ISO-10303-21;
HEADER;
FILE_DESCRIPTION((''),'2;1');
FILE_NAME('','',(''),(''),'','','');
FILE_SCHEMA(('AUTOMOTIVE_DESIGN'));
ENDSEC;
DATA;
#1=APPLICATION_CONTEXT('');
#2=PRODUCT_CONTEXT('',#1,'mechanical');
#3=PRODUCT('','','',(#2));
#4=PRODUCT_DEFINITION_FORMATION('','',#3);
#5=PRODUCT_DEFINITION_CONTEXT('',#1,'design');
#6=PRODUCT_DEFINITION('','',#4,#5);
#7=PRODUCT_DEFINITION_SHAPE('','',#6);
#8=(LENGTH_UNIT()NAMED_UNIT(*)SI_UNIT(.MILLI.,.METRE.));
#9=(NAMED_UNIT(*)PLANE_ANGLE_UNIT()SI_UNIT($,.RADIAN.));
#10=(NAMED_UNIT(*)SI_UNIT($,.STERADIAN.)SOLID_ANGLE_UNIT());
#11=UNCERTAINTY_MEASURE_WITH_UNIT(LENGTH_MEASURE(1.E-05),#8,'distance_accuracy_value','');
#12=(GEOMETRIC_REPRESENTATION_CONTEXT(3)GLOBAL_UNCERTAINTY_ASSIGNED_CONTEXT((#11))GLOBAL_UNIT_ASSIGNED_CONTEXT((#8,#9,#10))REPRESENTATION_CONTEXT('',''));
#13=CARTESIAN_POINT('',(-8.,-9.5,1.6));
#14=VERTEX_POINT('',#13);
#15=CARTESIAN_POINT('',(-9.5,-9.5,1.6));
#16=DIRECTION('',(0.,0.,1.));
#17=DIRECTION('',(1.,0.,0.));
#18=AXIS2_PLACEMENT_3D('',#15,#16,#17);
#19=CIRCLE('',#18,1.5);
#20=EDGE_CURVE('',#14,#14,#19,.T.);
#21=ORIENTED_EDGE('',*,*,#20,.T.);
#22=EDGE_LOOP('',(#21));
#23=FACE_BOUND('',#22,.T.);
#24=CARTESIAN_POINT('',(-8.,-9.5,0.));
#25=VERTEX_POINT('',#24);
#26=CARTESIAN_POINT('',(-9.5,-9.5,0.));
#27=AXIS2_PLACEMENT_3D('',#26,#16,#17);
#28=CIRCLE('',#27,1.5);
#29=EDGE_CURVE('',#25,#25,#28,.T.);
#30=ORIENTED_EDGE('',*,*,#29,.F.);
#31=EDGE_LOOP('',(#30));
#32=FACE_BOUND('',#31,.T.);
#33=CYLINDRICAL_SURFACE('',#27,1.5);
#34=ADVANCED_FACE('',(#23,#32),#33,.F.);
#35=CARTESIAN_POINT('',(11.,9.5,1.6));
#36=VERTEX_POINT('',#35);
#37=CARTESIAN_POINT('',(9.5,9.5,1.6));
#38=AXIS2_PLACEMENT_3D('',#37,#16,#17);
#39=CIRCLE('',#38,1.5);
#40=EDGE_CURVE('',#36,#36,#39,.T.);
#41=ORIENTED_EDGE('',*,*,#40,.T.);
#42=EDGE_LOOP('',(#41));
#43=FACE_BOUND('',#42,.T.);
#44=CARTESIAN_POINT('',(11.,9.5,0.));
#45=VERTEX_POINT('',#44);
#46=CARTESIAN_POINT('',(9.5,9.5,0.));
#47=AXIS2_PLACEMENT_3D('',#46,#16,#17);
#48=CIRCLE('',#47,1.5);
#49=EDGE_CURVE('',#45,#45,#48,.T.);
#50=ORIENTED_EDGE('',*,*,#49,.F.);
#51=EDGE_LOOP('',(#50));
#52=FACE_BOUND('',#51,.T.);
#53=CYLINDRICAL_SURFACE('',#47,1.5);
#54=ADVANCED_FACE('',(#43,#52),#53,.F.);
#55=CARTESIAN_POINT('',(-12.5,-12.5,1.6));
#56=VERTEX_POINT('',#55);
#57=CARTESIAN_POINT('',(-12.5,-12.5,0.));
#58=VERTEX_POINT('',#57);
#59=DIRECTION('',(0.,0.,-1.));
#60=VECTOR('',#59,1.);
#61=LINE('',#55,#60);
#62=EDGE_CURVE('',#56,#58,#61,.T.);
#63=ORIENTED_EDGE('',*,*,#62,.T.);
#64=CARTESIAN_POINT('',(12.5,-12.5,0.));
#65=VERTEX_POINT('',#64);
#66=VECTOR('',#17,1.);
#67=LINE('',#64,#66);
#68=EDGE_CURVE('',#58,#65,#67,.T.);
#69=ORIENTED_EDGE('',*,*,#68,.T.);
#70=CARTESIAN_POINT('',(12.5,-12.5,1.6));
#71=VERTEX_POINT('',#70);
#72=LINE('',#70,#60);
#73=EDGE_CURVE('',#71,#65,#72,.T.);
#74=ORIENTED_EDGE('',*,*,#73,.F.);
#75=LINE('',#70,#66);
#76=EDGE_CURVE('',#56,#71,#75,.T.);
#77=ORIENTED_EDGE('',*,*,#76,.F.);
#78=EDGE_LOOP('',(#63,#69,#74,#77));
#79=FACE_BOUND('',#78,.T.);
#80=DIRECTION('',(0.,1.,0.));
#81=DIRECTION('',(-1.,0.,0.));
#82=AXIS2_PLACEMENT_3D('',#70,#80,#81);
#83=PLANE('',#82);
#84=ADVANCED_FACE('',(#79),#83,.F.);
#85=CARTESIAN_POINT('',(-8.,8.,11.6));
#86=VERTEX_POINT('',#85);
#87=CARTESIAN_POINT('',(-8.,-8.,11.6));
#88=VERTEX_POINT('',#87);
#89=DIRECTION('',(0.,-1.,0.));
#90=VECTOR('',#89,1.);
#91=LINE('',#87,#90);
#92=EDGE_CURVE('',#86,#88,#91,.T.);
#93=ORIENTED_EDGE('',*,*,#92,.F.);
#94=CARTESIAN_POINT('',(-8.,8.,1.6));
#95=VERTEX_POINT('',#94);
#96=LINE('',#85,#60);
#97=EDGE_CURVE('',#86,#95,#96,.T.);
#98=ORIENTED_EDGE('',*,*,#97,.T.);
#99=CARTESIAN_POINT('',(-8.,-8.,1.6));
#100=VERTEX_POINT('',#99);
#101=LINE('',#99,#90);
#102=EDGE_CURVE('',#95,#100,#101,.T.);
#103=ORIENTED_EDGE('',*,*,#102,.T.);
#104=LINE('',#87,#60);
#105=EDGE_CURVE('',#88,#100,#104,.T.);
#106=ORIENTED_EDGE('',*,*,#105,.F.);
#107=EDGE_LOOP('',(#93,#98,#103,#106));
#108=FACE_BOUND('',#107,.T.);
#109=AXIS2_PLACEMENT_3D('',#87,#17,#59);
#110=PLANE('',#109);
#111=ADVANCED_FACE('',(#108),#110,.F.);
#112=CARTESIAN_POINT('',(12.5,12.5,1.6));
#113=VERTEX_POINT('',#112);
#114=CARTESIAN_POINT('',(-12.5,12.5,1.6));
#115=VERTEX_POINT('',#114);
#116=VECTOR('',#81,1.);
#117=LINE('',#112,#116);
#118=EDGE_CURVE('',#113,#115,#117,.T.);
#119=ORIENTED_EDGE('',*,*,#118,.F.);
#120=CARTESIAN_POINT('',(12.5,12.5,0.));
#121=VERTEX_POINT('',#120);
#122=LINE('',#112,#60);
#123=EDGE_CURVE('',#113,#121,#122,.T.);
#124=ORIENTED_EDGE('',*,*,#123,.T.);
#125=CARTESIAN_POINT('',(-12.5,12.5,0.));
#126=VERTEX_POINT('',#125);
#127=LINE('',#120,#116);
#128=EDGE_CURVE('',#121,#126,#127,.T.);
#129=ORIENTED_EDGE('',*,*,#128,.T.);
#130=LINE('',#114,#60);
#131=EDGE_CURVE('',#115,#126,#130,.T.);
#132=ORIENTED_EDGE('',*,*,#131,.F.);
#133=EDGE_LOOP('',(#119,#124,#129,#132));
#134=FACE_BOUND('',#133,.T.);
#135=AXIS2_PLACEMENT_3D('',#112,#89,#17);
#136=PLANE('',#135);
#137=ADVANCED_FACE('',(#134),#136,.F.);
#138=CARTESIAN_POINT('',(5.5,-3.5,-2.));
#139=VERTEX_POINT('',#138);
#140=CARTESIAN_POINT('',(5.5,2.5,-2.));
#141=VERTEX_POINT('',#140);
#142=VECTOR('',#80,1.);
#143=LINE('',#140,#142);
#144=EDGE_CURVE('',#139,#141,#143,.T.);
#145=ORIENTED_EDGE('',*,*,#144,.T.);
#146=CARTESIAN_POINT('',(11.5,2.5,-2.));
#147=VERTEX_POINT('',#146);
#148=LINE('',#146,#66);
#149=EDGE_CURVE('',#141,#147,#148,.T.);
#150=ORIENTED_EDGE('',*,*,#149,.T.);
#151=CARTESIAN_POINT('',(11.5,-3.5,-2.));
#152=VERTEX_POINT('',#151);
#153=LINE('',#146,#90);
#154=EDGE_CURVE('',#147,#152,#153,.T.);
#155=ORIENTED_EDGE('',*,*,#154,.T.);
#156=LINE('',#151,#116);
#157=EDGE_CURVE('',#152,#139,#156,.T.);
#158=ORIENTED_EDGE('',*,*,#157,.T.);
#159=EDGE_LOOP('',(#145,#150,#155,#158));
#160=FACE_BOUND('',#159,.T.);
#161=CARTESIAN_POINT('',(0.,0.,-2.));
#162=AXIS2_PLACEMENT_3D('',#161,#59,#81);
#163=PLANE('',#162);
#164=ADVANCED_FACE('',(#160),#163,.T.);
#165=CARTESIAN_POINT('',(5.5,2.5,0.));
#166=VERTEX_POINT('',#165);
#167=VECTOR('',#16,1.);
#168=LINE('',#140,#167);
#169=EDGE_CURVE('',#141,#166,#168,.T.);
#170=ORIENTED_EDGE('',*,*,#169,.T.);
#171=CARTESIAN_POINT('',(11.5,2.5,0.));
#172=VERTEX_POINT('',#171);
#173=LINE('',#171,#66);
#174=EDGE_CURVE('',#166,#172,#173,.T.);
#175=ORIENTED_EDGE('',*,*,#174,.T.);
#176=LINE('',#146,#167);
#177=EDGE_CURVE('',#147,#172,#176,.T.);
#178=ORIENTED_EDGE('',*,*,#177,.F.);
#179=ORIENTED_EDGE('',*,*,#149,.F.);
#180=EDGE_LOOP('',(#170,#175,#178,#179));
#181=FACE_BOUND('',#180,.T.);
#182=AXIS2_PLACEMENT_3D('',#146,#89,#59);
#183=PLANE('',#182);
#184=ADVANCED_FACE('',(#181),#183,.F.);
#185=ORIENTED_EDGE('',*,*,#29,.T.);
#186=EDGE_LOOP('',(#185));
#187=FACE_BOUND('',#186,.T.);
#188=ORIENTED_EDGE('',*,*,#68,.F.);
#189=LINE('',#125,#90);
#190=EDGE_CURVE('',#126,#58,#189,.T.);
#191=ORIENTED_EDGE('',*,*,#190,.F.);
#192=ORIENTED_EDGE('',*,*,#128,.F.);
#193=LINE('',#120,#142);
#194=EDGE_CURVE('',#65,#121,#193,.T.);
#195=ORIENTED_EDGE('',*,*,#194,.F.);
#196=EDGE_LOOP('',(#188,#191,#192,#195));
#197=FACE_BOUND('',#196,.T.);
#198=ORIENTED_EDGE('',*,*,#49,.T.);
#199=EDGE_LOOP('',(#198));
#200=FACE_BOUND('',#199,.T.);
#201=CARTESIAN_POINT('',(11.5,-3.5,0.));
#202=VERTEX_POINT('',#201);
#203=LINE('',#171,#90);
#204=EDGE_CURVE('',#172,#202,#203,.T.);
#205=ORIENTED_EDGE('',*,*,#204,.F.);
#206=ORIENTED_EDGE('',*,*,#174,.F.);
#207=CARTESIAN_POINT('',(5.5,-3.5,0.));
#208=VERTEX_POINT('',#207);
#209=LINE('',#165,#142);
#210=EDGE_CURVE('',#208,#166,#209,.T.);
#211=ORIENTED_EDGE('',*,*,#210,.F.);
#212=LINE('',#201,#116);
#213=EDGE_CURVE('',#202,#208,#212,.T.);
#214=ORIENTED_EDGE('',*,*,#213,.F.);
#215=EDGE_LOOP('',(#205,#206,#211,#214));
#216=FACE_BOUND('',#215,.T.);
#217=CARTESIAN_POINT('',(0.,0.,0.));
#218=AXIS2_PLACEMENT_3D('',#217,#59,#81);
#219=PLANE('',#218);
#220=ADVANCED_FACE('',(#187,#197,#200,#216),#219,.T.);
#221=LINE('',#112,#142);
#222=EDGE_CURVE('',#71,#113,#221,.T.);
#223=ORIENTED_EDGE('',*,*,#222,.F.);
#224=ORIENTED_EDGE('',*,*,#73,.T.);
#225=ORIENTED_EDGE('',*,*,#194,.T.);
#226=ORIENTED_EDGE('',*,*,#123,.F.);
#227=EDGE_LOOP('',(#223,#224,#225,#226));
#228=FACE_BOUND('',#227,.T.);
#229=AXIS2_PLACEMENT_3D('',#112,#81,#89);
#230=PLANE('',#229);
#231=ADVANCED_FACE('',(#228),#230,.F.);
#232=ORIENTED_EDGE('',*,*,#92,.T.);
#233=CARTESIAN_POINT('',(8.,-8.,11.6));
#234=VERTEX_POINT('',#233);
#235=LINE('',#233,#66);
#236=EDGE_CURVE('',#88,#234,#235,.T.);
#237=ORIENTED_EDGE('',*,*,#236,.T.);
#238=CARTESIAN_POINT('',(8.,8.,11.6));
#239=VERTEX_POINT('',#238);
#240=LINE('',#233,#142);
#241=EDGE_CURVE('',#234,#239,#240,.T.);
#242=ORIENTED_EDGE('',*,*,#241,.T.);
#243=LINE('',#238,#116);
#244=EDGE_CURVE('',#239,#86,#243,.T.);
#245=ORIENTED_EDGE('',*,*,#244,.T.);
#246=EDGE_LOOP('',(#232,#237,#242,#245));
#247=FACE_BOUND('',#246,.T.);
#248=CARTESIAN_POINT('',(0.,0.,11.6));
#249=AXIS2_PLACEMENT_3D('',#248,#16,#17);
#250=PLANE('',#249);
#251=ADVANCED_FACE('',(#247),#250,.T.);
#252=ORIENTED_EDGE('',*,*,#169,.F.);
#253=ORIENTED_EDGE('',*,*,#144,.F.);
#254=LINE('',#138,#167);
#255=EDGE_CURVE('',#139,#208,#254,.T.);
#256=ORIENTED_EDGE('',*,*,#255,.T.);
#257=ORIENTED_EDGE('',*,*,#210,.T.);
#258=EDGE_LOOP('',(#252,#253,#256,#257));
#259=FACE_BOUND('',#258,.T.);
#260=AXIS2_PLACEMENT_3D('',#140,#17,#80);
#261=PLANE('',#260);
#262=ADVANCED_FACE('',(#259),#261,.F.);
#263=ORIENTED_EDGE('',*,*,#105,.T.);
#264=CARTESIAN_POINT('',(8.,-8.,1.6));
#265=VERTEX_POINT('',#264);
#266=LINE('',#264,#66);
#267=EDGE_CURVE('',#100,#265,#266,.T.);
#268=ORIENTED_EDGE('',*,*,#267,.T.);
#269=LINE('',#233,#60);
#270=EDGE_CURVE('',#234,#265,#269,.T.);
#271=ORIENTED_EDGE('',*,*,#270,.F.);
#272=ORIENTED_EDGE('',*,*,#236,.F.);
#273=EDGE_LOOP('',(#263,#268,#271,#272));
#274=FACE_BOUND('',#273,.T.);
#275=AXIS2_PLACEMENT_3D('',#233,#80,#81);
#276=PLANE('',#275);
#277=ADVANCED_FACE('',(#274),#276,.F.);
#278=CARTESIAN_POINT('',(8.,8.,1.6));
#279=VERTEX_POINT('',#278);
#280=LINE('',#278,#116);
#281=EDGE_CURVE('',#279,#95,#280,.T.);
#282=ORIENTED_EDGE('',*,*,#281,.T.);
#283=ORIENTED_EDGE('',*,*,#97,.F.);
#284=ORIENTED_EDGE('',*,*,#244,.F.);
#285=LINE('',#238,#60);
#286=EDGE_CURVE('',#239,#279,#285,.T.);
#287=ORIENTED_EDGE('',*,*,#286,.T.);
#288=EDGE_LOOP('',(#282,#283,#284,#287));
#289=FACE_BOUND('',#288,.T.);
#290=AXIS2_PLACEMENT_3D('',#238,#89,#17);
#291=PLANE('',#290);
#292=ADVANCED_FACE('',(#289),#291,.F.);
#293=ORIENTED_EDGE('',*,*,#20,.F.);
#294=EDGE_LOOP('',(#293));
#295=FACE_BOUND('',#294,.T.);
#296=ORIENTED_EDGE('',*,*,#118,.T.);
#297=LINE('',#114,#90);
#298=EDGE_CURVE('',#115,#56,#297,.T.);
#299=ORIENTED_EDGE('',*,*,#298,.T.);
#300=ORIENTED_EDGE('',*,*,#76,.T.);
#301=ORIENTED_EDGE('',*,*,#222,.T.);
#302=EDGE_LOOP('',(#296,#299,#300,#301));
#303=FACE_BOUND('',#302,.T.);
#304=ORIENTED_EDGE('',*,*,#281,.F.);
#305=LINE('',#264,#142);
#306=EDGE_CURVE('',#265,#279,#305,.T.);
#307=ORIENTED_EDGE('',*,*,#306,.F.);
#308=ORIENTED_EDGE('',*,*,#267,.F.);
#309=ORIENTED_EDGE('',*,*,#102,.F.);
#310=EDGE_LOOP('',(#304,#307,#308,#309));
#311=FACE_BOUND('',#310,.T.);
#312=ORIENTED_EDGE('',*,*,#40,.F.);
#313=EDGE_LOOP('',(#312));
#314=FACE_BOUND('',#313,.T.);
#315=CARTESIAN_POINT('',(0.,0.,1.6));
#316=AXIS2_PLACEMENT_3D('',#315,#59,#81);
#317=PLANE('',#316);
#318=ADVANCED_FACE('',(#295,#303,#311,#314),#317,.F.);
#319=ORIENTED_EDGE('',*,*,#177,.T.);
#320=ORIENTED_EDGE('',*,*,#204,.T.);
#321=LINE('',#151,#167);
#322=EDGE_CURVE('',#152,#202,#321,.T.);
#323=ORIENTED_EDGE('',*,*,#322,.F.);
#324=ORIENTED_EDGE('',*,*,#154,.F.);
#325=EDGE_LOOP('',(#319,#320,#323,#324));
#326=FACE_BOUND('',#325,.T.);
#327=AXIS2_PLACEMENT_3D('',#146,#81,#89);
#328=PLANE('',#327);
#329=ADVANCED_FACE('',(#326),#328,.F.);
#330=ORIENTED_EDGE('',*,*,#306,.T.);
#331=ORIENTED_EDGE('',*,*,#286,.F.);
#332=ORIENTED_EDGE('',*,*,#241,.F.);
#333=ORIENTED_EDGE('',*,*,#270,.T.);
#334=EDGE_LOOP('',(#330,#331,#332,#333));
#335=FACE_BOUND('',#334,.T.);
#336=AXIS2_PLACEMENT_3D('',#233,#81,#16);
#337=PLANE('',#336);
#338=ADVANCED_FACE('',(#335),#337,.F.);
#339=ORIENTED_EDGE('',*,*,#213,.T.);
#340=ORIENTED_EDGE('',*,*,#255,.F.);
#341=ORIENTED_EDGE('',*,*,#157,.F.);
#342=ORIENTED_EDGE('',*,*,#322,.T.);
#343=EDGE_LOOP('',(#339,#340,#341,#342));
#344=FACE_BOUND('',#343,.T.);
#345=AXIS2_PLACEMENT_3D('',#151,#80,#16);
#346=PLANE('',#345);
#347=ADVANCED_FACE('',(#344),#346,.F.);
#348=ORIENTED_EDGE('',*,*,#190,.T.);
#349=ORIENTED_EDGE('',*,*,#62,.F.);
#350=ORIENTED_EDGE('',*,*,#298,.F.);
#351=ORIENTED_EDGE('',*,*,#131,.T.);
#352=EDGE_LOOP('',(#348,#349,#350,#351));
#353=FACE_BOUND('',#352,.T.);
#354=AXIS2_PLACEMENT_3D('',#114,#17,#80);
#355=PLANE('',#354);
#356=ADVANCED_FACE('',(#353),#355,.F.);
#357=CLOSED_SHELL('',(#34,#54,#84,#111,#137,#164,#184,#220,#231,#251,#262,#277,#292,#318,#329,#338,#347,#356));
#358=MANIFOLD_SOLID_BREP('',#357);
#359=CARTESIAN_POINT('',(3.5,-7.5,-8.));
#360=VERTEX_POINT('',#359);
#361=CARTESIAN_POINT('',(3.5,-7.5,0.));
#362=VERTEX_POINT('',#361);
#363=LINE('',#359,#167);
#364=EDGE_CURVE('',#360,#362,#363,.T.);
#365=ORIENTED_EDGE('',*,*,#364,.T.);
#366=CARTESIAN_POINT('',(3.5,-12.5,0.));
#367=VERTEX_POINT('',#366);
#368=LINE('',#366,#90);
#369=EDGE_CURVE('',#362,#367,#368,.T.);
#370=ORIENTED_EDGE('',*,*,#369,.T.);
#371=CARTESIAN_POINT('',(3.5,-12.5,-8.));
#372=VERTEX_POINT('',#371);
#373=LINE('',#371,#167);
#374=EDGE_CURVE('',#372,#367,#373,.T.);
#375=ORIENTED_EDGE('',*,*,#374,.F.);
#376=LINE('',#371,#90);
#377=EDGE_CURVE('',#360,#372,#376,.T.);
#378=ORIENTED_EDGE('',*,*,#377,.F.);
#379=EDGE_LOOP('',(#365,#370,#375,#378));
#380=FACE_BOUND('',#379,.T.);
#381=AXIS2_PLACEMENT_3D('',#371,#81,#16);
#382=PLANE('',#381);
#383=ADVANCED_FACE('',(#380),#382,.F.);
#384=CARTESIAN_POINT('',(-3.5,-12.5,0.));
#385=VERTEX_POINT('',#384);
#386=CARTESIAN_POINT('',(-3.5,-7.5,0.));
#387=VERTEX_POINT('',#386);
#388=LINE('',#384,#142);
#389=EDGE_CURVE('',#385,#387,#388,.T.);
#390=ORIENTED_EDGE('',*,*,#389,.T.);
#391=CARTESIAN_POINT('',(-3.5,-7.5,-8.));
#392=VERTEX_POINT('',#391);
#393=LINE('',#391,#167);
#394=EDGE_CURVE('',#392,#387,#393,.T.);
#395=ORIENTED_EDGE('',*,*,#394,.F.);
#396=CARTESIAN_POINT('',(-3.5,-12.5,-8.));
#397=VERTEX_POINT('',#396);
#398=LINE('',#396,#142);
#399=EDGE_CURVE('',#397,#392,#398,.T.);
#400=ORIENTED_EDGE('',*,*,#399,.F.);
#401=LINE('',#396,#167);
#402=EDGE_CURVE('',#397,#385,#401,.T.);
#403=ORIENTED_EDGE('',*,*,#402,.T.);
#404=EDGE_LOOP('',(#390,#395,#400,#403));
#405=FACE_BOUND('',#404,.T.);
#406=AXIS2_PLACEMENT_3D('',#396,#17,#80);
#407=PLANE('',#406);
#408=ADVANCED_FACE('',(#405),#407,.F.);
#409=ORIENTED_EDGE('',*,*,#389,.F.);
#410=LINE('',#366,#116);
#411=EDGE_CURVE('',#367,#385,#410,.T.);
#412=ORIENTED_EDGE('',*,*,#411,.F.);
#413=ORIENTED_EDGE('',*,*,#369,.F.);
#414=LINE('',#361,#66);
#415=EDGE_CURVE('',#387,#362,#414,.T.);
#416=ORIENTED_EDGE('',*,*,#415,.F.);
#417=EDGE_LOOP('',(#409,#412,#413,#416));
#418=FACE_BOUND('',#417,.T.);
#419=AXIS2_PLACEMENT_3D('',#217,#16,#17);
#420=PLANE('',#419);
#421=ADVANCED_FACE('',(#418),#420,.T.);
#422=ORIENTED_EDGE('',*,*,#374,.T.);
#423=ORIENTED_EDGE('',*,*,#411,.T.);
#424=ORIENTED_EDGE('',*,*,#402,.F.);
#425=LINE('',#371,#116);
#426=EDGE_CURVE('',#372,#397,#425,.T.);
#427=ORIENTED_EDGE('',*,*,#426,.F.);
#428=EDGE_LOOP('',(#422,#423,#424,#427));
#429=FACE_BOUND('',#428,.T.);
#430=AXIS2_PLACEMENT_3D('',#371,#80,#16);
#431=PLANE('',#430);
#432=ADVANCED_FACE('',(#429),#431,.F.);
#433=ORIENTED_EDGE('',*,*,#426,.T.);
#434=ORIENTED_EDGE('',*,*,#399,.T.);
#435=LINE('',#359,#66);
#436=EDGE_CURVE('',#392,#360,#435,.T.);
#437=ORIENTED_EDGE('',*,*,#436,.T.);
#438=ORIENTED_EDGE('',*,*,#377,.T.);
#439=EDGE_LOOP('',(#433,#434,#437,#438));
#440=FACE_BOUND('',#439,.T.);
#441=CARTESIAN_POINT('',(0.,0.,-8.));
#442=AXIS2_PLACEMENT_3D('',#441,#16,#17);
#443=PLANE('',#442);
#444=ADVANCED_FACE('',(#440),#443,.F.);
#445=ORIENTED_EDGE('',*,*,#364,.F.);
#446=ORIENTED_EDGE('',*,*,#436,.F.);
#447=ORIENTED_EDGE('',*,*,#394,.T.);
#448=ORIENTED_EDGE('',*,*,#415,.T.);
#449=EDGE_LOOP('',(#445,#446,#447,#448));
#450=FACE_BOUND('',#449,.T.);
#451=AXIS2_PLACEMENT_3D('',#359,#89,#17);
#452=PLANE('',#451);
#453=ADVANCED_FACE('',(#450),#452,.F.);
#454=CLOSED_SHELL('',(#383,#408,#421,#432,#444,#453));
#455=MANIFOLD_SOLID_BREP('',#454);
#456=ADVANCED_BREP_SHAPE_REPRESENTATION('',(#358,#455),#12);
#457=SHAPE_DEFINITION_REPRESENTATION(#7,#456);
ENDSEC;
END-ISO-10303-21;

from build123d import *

# Parameters (mm, degrees)
SKETCH1_W           = 25
SKETCH1_H           = 25
BOSS_EXTRUDE1_DEPTH = 1.6
SKETCH2_R           = 1.5
CUT_EXTRUDE1_DEPTH  = 18.749929577
SKETCH3_W           = 16
SKETCH3_H           = 16
BOSS_EXTRUDE2_DEPTH = 10
SKETCH4_W           = 7
SKETCH4_H           = 5
BOSS_EXTRUDE3_DEPTH = 8
SKETCH5_W           = 6
SKETCH5_H           = 6
BOSS_EXTRUDE4_DEPTH = 2


with BuildPart() as part:
    # Sketch1 → Boss-Extrude1 (new body)
    with BuildSketch(Plane.XY):
        Rectangle(SKETCH1_W, SKETCH1_H)
    extrude(amount=BOSS_EXTRUDE1_DEPTH)

    # Sketch2 → Cut-Extrude1 (cut, through all)
    with BuildSketch(Plane.XY.offset(1.6)):
        with Locations((9.5, 9.5)):
            Circle(SKETCH2_R)
        with Locations((-9.5, -9.5)):
            Circle(SKETCH2_R)
    extrude(amount=-CUT_EXTRUDE1_DEPTH, mode=Mode.SUBTRACT)

    # Sketch3 → Boss-Extrude2 (add)
    with BuildSketch(Plane.XY.offset(1.6)):
        Rectangle(SKETCH3_W, SKETCH3_H)
    extrude(amount=BOSS_EXTRUDE2_DEPTH)

    # Sketch5 → Boss-Extrude4 (add)
    with BuildSketch(Plane(origin=(0, 0, 0), x_dir=(-1, 0, 0), z_dir=(0, 0, -1))):
        with Locations((-8.5, -0.5)):
            Rectangle(SKETCH5_W, SKETCH5_H)
    extrude(amount=BOSS_EXTRUDE4_DEPTH)


with BuildPart() as body_2:
    # Sketch4 → Boss-Extrude3 (new body)
    with BuildSketch(Plane(origin=(0, 0, 0), x_dir=(-1, 0, 0), z_dir=(0, 0, -1))):
        with Locations((0, -10)):
            Rectangle(SKETCH4_W, SKETCH4_H)
    extrude(amount=BOSS_EXTRUDE3_DEPTH)


solid = Compound([part.part, body_2.part])
